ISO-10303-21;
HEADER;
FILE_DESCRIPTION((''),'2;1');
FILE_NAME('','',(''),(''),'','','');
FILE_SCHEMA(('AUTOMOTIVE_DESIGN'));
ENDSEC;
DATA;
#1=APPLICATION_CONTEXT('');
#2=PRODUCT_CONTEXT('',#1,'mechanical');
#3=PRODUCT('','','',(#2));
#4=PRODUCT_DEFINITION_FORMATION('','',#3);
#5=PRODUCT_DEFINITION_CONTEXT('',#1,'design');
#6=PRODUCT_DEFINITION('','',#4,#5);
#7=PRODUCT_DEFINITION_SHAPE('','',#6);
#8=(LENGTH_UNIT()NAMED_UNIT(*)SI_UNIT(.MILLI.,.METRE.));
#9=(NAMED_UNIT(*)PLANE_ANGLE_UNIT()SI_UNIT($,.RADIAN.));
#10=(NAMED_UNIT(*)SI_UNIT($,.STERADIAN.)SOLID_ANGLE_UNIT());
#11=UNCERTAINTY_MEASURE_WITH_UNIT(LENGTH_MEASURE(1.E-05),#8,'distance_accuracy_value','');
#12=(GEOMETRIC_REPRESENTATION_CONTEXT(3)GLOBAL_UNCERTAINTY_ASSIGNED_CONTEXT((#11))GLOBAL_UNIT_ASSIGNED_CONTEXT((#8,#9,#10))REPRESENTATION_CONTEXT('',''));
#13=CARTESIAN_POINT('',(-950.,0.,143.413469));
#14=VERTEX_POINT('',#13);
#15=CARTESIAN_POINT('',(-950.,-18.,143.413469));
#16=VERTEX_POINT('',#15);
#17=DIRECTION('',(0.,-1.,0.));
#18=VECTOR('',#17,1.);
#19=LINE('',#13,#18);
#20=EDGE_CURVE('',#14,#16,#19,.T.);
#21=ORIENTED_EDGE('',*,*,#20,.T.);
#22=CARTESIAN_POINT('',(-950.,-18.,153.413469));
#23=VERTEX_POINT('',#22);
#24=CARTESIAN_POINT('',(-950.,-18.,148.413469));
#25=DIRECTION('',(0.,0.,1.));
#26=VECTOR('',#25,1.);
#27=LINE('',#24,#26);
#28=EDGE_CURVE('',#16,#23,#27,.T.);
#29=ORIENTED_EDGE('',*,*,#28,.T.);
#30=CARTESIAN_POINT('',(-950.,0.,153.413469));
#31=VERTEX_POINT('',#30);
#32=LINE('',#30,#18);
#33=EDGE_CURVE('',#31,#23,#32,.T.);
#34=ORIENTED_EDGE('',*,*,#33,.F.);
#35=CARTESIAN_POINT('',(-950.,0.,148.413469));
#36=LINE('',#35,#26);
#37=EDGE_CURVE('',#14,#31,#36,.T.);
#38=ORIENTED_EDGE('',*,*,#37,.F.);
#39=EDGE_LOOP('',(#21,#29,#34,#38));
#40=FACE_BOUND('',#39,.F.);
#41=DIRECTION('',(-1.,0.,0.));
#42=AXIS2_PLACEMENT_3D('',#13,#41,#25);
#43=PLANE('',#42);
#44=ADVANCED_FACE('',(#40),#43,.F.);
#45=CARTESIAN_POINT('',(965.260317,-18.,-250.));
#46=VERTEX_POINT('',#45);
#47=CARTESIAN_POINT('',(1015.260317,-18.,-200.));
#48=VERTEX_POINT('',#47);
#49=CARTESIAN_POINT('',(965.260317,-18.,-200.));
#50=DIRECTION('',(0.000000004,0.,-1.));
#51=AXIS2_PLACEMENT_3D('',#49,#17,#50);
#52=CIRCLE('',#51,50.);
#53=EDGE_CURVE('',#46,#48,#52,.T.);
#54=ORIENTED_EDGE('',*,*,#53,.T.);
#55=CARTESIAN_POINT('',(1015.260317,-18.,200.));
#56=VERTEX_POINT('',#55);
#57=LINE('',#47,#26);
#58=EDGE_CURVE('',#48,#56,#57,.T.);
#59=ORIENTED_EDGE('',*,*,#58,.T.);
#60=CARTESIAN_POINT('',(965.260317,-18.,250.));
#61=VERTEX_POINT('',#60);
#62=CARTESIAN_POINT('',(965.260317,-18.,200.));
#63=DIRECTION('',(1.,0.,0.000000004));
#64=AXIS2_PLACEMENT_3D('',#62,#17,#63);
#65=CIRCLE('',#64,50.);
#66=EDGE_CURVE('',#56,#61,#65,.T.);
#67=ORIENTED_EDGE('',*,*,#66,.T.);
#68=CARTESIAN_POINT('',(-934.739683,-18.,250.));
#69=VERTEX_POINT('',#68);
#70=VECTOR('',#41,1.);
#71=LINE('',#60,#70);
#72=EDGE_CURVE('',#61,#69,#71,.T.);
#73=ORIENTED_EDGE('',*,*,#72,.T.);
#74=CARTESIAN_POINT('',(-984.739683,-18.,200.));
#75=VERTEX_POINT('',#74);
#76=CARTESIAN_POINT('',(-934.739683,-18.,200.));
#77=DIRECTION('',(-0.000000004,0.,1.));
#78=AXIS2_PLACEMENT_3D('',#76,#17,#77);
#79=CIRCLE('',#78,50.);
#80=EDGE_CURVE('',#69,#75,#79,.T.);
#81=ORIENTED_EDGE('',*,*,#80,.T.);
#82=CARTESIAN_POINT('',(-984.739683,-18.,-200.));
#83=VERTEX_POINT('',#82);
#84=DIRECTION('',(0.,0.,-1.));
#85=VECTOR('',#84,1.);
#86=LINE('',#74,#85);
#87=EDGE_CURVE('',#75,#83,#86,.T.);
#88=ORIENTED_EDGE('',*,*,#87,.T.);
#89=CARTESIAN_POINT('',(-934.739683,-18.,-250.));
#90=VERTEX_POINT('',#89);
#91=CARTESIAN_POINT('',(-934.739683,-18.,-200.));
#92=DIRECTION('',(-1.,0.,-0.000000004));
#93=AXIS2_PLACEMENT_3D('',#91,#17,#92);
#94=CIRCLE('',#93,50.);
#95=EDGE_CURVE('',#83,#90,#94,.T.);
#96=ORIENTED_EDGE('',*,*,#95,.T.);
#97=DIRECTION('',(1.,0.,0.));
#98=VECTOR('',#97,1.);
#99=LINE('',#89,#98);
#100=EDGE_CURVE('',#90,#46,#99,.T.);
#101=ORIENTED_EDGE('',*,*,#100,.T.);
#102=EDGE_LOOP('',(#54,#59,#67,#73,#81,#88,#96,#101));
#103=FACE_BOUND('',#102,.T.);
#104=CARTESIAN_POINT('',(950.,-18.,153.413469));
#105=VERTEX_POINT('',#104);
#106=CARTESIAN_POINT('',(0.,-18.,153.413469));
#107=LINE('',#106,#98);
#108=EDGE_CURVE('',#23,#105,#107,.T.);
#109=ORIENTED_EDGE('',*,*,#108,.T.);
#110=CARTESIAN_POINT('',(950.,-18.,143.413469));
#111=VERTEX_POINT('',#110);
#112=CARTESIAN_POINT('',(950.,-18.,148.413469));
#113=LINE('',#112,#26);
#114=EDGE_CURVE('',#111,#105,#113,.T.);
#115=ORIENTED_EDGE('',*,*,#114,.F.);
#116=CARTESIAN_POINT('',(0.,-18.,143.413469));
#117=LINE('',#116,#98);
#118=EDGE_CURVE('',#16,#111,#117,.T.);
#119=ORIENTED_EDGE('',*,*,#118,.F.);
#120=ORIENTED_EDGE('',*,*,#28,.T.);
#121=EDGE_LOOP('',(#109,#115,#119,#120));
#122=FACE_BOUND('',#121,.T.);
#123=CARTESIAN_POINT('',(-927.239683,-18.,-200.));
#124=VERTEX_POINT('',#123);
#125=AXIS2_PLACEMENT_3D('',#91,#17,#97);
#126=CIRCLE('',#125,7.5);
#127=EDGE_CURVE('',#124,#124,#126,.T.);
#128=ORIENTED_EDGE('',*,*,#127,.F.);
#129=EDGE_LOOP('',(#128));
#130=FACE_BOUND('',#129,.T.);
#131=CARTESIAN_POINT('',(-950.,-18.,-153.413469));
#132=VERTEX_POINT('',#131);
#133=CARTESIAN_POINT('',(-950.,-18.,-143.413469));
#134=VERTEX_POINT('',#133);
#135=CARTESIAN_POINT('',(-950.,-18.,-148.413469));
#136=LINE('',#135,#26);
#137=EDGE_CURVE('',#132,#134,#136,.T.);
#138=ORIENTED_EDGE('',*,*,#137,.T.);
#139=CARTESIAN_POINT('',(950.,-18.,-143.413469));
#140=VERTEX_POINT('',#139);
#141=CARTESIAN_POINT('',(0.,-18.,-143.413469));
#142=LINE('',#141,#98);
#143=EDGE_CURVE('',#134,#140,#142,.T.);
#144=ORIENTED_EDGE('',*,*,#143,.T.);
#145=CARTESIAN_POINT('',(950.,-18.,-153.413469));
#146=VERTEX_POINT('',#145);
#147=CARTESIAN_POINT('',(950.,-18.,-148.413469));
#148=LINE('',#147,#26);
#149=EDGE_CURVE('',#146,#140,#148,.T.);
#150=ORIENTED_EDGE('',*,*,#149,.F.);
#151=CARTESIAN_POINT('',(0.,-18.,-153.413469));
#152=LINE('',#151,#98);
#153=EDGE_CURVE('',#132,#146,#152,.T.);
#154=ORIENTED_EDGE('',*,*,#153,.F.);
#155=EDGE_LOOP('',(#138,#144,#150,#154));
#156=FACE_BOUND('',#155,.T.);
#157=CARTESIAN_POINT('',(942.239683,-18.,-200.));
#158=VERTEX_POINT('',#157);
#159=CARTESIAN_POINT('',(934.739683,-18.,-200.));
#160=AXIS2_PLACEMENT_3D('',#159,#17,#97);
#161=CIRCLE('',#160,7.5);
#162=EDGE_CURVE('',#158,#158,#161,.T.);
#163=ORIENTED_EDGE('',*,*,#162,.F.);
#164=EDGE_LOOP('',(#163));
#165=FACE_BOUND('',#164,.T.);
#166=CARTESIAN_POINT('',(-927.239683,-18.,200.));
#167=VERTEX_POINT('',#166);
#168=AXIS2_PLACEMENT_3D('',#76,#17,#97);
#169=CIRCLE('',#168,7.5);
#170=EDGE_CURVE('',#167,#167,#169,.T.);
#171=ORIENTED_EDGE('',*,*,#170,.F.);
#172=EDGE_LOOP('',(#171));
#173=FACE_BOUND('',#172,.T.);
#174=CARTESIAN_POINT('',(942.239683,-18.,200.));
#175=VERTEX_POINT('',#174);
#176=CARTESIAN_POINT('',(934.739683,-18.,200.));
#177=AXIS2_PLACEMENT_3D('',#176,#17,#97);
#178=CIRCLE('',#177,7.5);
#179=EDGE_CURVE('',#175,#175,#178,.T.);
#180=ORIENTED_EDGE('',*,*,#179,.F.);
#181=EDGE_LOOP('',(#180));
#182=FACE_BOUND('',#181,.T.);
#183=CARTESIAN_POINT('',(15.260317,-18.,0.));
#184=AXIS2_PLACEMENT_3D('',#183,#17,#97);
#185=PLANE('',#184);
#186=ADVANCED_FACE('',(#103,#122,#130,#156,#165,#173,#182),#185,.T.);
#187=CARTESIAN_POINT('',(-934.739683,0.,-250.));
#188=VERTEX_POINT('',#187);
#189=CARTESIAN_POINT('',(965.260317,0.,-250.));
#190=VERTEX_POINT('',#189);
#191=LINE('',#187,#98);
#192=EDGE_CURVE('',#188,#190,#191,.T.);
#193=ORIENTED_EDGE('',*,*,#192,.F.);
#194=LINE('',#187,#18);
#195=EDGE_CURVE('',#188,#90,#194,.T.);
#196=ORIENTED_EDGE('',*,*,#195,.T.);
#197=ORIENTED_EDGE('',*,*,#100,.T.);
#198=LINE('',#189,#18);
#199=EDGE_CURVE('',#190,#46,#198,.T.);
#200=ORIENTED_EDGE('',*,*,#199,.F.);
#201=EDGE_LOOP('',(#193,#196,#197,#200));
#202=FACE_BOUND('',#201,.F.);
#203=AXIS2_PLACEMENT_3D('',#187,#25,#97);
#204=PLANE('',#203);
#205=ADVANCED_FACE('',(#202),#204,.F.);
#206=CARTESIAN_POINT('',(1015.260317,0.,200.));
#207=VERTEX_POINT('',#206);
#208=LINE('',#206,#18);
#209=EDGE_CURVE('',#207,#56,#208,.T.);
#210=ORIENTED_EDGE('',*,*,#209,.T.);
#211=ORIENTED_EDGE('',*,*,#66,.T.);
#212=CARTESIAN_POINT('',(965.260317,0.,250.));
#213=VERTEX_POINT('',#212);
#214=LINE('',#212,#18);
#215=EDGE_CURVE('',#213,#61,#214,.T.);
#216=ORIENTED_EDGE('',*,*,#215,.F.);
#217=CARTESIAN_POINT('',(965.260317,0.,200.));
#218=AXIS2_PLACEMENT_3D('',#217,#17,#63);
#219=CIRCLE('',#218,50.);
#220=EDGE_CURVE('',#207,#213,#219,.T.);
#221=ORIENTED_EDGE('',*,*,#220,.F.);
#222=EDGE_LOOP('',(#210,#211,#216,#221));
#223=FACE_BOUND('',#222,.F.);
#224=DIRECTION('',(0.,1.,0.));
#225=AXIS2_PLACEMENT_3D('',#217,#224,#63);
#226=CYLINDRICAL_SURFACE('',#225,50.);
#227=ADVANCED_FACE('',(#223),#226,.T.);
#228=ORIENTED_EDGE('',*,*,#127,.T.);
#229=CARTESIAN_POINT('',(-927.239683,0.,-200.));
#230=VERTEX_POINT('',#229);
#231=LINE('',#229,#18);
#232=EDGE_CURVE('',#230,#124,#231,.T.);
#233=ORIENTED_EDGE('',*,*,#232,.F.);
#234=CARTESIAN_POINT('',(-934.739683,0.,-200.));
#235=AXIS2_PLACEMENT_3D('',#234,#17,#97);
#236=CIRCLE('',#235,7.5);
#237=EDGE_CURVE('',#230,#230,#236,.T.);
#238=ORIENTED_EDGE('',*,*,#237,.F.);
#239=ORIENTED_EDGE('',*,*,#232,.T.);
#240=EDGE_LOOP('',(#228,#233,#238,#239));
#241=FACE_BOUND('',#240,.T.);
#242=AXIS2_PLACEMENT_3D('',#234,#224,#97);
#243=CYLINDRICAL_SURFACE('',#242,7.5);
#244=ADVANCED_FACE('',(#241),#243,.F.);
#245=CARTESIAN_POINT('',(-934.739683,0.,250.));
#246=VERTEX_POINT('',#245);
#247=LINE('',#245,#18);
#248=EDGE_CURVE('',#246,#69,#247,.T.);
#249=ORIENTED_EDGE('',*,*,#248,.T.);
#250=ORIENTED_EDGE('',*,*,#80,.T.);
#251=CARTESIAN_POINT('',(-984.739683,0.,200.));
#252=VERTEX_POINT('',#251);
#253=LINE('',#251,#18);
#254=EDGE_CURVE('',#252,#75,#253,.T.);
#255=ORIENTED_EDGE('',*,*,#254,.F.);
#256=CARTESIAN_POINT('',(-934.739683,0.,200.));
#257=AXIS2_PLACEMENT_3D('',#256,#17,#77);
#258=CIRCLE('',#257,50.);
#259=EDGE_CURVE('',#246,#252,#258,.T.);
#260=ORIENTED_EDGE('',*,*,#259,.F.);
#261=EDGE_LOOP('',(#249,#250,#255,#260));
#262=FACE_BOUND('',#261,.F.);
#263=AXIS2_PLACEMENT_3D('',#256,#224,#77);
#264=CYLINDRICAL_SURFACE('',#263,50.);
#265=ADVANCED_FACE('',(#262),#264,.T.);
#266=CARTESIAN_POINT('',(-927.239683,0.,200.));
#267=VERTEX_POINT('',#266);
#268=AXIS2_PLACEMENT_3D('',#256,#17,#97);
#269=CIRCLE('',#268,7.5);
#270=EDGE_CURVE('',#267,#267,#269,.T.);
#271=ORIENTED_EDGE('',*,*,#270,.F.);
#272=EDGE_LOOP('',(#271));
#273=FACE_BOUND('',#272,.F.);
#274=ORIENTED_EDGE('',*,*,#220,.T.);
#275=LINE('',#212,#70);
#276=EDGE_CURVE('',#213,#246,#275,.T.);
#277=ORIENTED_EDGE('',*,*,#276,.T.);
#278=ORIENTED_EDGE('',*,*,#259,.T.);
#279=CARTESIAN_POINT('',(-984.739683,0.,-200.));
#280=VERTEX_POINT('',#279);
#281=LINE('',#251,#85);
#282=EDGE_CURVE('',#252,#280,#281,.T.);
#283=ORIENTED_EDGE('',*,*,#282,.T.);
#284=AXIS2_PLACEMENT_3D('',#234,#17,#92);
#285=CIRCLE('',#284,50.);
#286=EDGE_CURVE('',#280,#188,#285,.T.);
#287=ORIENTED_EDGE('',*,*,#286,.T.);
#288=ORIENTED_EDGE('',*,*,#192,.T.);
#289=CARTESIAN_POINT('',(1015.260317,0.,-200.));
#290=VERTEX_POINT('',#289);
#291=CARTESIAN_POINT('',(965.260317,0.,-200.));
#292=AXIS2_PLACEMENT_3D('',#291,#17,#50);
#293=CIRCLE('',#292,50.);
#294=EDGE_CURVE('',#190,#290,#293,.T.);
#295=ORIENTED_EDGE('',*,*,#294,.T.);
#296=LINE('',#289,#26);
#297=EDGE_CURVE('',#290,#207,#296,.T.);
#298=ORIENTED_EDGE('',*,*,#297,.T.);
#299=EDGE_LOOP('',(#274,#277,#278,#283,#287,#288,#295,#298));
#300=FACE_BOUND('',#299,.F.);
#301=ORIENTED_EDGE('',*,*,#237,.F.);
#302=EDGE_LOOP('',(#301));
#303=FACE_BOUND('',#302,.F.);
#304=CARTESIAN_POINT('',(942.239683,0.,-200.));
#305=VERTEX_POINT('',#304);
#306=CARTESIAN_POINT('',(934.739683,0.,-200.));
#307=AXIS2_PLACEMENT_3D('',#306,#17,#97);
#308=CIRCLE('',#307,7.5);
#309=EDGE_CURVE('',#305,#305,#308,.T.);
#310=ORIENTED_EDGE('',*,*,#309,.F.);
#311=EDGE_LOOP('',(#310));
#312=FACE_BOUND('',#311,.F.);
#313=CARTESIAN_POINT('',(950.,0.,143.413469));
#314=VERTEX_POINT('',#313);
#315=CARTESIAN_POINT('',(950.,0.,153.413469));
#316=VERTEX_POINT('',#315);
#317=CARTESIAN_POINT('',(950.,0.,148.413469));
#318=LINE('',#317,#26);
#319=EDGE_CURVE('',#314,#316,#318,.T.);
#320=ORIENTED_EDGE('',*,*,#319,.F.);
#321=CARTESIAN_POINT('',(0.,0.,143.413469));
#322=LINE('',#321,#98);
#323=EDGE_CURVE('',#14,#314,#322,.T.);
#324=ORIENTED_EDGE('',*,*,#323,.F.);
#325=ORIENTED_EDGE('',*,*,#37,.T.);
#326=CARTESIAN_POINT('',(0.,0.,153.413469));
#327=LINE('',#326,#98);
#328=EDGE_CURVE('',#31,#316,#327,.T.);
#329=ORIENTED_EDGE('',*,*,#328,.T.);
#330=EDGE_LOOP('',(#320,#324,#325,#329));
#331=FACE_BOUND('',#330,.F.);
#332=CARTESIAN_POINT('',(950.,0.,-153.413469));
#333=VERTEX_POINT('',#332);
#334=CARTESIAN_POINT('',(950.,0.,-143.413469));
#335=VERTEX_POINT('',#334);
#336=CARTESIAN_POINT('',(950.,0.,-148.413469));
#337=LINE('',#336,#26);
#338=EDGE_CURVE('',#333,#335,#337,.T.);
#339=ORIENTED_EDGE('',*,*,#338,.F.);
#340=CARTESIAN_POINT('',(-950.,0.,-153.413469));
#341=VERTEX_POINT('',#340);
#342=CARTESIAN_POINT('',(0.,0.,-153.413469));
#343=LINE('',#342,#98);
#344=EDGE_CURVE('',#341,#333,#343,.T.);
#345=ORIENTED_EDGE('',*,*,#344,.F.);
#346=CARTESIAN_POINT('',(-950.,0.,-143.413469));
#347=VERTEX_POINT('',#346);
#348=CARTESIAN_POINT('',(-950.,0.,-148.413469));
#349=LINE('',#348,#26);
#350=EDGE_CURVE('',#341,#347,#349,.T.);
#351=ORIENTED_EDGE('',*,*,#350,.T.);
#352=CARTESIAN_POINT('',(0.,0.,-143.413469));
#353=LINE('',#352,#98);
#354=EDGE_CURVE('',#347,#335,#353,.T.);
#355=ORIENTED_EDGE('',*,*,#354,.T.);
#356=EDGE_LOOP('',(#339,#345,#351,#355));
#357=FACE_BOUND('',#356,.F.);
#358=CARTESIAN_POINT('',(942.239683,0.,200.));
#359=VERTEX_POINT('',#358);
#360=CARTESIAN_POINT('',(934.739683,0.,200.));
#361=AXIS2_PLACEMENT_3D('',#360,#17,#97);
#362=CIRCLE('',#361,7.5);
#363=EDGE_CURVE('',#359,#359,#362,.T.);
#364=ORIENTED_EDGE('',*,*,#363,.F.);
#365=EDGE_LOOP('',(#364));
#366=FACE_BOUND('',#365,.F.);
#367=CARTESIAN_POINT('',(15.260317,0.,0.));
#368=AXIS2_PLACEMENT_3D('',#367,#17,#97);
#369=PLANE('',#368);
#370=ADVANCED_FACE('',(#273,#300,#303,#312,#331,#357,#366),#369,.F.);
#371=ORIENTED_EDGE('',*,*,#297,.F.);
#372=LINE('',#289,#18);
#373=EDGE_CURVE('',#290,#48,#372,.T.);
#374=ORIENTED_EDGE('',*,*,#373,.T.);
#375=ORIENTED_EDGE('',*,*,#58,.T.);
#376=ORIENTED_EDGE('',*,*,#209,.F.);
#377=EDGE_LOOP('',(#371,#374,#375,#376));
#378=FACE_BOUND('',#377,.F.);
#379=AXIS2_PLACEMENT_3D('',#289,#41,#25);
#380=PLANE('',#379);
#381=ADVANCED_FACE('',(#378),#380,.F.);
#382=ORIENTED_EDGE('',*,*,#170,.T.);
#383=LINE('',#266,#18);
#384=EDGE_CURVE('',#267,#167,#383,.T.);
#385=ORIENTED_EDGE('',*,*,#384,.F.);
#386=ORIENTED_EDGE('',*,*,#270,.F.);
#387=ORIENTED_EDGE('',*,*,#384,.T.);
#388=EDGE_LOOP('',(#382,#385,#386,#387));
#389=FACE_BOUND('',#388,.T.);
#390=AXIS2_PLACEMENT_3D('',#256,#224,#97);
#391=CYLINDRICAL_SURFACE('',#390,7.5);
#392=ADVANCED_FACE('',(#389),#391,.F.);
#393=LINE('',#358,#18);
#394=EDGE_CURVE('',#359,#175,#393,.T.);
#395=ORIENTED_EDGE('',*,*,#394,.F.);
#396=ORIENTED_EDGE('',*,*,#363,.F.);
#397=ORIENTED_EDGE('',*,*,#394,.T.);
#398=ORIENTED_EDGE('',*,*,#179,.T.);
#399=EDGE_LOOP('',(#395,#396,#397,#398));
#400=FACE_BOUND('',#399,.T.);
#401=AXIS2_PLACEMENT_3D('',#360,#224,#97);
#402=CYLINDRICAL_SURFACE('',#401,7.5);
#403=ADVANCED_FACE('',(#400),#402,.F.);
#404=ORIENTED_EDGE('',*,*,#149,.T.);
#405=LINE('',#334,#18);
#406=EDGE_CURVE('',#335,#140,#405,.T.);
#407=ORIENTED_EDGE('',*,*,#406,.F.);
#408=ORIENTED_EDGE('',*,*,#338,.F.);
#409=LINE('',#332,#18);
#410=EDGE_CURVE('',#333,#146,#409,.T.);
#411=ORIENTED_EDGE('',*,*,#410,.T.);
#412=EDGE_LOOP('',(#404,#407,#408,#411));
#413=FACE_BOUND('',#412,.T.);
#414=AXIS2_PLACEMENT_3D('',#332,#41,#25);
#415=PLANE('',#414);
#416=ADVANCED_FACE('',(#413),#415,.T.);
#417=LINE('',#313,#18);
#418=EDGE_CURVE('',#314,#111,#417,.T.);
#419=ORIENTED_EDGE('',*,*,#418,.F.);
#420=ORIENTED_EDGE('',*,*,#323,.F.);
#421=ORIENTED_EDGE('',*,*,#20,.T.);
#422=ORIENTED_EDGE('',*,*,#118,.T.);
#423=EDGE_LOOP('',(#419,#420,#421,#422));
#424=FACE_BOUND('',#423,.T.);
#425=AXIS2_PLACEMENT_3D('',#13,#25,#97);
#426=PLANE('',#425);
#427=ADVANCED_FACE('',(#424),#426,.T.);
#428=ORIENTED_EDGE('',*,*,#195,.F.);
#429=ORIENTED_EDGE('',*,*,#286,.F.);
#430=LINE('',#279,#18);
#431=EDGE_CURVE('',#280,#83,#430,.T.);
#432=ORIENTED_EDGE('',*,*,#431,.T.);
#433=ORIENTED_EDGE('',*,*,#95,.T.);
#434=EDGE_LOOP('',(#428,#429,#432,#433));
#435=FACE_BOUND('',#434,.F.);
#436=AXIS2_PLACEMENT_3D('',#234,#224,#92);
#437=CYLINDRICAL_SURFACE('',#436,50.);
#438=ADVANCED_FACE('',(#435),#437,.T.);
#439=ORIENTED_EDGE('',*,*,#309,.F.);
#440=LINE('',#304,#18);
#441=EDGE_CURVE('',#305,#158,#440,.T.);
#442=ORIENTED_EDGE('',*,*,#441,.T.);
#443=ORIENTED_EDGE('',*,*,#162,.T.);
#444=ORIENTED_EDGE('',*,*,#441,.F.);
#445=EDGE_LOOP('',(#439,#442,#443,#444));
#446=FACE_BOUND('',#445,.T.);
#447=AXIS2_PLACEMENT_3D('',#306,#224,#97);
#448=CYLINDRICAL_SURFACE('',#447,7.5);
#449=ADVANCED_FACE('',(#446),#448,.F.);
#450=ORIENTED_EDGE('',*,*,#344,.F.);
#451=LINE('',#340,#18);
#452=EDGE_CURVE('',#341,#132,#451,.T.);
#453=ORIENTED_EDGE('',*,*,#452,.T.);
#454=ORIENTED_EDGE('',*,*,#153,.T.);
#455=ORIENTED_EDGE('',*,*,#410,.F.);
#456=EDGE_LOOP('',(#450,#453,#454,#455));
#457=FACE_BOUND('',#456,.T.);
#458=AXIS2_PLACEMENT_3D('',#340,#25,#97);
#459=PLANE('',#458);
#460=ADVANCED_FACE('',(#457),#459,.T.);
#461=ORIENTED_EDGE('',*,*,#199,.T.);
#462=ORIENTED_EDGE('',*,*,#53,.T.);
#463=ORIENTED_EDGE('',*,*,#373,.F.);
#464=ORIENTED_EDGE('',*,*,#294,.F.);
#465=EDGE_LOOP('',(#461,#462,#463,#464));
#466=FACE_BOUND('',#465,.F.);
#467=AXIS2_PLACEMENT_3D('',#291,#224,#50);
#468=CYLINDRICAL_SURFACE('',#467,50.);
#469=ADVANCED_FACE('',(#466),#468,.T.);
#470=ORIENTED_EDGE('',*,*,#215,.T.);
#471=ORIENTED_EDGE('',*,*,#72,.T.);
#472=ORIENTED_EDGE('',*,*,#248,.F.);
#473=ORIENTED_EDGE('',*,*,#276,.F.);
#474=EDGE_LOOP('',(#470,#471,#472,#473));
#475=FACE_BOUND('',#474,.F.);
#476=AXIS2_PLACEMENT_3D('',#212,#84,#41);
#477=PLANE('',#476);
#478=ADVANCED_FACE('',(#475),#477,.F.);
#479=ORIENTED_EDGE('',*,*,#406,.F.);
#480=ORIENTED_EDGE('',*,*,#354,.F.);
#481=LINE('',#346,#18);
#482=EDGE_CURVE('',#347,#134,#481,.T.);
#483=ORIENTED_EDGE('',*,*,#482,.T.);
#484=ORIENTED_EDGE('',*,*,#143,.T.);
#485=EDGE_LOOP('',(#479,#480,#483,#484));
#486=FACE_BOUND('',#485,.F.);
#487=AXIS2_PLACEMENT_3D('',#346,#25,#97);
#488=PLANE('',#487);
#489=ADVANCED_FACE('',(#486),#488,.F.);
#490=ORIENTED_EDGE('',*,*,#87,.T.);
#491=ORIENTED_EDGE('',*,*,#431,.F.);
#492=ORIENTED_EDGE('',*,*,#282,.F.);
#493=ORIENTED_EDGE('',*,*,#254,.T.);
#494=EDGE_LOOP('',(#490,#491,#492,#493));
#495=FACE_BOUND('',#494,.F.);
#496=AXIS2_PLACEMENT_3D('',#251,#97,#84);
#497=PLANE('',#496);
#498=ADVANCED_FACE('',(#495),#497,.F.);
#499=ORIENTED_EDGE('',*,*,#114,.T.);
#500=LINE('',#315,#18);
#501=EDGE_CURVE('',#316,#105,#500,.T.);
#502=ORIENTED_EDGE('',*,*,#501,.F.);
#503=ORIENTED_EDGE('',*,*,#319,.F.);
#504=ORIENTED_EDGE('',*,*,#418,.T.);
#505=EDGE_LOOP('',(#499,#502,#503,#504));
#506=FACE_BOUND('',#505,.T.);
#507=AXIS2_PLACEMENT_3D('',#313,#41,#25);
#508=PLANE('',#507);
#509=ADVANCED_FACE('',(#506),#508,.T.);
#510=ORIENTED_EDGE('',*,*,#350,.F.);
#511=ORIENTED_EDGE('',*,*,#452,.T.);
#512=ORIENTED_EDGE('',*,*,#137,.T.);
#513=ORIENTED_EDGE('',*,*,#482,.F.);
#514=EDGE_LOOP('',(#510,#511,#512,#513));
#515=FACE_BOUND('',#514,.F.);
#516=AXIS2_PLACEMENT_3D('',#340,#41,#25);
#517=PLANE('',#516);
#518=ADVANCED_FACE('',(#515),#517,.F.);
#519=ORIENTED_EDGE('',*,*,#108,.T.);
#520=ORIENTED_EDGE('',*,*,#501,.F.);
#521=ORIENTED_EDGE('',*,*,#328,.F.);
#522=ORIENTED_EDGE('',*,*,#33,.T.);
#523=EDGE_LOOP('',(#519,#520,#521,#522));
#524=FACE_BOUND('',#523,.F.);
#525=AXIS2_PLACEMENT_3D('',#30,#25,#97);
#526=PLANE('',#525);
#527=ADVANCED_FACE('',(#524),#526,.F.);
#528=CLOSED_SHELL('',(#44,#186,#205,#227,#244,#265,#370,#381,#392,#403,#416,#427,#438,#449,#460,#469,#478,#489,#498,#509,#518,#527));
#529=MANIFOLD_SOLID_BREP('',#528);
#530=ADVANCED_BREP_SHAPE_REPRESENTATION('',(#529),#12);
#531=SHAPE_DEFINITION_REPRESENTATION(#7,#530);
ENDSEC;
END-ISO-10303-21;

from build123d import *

# Parameters (mm, degrees)
F0_R     = 7.5
F0_W     = 1900
F0_H     = 10
F1_DEPTH = 18


with BuildPart() as f1:
    # F0 (on Front) → F1 (new body)
    with BuildSketch(Plane.XZ):
        with BuildLine():
            Line((965.260317, 250), (-934.739683, 250))
            ThreePointArc((-934.739683, 250), (-970.095022, 235.355339), (-984.739683, 200))
            Line((-984.739683, 200), (-984.739683, -200))
            ThreePointArc((-984.739683, -200), (-970.095022, -235.355339), (-934.739683, -250))
            Line((-934.739683, -250), (965.260317, -250))
            ThreePointArc((965.260317, -250), (1000.615656, -235.355339), (1015.260317, -200))
            Line((1015.260317, -200), (1015.260317, 200))
            ThreePointArc((1015.260317, 200), (1000.615656, 235.355339), (965.260317, 250))
        make_face()
        with Locations((-934.739683, -200)):
            Circle(F0_R, mode=Mode.SUBTRACT)
        with Locations((0, -148.413469)):
            Rectangle(F0_W, F0_H, mode=Mode.SUBTRACT)
        with Locations((934.739683, -200)):
            Circle(F0_R, mode=Mode.SUBTRACT)
        with Locations((-934.739683, 200)):
            Circle(F0_R, mode=Mode.SUBTRACT)
        with Locations((0, 148.413469)):
            Rectangle(F0_W, F0_H, mode=Mode.SUBTRACT)
        with Locations((934.739683, 200)):
            Circle(F0_R, mode=Mode.SUBTRACT)
    extrude(amount=F1_DEPTH)


solid = f1.part
